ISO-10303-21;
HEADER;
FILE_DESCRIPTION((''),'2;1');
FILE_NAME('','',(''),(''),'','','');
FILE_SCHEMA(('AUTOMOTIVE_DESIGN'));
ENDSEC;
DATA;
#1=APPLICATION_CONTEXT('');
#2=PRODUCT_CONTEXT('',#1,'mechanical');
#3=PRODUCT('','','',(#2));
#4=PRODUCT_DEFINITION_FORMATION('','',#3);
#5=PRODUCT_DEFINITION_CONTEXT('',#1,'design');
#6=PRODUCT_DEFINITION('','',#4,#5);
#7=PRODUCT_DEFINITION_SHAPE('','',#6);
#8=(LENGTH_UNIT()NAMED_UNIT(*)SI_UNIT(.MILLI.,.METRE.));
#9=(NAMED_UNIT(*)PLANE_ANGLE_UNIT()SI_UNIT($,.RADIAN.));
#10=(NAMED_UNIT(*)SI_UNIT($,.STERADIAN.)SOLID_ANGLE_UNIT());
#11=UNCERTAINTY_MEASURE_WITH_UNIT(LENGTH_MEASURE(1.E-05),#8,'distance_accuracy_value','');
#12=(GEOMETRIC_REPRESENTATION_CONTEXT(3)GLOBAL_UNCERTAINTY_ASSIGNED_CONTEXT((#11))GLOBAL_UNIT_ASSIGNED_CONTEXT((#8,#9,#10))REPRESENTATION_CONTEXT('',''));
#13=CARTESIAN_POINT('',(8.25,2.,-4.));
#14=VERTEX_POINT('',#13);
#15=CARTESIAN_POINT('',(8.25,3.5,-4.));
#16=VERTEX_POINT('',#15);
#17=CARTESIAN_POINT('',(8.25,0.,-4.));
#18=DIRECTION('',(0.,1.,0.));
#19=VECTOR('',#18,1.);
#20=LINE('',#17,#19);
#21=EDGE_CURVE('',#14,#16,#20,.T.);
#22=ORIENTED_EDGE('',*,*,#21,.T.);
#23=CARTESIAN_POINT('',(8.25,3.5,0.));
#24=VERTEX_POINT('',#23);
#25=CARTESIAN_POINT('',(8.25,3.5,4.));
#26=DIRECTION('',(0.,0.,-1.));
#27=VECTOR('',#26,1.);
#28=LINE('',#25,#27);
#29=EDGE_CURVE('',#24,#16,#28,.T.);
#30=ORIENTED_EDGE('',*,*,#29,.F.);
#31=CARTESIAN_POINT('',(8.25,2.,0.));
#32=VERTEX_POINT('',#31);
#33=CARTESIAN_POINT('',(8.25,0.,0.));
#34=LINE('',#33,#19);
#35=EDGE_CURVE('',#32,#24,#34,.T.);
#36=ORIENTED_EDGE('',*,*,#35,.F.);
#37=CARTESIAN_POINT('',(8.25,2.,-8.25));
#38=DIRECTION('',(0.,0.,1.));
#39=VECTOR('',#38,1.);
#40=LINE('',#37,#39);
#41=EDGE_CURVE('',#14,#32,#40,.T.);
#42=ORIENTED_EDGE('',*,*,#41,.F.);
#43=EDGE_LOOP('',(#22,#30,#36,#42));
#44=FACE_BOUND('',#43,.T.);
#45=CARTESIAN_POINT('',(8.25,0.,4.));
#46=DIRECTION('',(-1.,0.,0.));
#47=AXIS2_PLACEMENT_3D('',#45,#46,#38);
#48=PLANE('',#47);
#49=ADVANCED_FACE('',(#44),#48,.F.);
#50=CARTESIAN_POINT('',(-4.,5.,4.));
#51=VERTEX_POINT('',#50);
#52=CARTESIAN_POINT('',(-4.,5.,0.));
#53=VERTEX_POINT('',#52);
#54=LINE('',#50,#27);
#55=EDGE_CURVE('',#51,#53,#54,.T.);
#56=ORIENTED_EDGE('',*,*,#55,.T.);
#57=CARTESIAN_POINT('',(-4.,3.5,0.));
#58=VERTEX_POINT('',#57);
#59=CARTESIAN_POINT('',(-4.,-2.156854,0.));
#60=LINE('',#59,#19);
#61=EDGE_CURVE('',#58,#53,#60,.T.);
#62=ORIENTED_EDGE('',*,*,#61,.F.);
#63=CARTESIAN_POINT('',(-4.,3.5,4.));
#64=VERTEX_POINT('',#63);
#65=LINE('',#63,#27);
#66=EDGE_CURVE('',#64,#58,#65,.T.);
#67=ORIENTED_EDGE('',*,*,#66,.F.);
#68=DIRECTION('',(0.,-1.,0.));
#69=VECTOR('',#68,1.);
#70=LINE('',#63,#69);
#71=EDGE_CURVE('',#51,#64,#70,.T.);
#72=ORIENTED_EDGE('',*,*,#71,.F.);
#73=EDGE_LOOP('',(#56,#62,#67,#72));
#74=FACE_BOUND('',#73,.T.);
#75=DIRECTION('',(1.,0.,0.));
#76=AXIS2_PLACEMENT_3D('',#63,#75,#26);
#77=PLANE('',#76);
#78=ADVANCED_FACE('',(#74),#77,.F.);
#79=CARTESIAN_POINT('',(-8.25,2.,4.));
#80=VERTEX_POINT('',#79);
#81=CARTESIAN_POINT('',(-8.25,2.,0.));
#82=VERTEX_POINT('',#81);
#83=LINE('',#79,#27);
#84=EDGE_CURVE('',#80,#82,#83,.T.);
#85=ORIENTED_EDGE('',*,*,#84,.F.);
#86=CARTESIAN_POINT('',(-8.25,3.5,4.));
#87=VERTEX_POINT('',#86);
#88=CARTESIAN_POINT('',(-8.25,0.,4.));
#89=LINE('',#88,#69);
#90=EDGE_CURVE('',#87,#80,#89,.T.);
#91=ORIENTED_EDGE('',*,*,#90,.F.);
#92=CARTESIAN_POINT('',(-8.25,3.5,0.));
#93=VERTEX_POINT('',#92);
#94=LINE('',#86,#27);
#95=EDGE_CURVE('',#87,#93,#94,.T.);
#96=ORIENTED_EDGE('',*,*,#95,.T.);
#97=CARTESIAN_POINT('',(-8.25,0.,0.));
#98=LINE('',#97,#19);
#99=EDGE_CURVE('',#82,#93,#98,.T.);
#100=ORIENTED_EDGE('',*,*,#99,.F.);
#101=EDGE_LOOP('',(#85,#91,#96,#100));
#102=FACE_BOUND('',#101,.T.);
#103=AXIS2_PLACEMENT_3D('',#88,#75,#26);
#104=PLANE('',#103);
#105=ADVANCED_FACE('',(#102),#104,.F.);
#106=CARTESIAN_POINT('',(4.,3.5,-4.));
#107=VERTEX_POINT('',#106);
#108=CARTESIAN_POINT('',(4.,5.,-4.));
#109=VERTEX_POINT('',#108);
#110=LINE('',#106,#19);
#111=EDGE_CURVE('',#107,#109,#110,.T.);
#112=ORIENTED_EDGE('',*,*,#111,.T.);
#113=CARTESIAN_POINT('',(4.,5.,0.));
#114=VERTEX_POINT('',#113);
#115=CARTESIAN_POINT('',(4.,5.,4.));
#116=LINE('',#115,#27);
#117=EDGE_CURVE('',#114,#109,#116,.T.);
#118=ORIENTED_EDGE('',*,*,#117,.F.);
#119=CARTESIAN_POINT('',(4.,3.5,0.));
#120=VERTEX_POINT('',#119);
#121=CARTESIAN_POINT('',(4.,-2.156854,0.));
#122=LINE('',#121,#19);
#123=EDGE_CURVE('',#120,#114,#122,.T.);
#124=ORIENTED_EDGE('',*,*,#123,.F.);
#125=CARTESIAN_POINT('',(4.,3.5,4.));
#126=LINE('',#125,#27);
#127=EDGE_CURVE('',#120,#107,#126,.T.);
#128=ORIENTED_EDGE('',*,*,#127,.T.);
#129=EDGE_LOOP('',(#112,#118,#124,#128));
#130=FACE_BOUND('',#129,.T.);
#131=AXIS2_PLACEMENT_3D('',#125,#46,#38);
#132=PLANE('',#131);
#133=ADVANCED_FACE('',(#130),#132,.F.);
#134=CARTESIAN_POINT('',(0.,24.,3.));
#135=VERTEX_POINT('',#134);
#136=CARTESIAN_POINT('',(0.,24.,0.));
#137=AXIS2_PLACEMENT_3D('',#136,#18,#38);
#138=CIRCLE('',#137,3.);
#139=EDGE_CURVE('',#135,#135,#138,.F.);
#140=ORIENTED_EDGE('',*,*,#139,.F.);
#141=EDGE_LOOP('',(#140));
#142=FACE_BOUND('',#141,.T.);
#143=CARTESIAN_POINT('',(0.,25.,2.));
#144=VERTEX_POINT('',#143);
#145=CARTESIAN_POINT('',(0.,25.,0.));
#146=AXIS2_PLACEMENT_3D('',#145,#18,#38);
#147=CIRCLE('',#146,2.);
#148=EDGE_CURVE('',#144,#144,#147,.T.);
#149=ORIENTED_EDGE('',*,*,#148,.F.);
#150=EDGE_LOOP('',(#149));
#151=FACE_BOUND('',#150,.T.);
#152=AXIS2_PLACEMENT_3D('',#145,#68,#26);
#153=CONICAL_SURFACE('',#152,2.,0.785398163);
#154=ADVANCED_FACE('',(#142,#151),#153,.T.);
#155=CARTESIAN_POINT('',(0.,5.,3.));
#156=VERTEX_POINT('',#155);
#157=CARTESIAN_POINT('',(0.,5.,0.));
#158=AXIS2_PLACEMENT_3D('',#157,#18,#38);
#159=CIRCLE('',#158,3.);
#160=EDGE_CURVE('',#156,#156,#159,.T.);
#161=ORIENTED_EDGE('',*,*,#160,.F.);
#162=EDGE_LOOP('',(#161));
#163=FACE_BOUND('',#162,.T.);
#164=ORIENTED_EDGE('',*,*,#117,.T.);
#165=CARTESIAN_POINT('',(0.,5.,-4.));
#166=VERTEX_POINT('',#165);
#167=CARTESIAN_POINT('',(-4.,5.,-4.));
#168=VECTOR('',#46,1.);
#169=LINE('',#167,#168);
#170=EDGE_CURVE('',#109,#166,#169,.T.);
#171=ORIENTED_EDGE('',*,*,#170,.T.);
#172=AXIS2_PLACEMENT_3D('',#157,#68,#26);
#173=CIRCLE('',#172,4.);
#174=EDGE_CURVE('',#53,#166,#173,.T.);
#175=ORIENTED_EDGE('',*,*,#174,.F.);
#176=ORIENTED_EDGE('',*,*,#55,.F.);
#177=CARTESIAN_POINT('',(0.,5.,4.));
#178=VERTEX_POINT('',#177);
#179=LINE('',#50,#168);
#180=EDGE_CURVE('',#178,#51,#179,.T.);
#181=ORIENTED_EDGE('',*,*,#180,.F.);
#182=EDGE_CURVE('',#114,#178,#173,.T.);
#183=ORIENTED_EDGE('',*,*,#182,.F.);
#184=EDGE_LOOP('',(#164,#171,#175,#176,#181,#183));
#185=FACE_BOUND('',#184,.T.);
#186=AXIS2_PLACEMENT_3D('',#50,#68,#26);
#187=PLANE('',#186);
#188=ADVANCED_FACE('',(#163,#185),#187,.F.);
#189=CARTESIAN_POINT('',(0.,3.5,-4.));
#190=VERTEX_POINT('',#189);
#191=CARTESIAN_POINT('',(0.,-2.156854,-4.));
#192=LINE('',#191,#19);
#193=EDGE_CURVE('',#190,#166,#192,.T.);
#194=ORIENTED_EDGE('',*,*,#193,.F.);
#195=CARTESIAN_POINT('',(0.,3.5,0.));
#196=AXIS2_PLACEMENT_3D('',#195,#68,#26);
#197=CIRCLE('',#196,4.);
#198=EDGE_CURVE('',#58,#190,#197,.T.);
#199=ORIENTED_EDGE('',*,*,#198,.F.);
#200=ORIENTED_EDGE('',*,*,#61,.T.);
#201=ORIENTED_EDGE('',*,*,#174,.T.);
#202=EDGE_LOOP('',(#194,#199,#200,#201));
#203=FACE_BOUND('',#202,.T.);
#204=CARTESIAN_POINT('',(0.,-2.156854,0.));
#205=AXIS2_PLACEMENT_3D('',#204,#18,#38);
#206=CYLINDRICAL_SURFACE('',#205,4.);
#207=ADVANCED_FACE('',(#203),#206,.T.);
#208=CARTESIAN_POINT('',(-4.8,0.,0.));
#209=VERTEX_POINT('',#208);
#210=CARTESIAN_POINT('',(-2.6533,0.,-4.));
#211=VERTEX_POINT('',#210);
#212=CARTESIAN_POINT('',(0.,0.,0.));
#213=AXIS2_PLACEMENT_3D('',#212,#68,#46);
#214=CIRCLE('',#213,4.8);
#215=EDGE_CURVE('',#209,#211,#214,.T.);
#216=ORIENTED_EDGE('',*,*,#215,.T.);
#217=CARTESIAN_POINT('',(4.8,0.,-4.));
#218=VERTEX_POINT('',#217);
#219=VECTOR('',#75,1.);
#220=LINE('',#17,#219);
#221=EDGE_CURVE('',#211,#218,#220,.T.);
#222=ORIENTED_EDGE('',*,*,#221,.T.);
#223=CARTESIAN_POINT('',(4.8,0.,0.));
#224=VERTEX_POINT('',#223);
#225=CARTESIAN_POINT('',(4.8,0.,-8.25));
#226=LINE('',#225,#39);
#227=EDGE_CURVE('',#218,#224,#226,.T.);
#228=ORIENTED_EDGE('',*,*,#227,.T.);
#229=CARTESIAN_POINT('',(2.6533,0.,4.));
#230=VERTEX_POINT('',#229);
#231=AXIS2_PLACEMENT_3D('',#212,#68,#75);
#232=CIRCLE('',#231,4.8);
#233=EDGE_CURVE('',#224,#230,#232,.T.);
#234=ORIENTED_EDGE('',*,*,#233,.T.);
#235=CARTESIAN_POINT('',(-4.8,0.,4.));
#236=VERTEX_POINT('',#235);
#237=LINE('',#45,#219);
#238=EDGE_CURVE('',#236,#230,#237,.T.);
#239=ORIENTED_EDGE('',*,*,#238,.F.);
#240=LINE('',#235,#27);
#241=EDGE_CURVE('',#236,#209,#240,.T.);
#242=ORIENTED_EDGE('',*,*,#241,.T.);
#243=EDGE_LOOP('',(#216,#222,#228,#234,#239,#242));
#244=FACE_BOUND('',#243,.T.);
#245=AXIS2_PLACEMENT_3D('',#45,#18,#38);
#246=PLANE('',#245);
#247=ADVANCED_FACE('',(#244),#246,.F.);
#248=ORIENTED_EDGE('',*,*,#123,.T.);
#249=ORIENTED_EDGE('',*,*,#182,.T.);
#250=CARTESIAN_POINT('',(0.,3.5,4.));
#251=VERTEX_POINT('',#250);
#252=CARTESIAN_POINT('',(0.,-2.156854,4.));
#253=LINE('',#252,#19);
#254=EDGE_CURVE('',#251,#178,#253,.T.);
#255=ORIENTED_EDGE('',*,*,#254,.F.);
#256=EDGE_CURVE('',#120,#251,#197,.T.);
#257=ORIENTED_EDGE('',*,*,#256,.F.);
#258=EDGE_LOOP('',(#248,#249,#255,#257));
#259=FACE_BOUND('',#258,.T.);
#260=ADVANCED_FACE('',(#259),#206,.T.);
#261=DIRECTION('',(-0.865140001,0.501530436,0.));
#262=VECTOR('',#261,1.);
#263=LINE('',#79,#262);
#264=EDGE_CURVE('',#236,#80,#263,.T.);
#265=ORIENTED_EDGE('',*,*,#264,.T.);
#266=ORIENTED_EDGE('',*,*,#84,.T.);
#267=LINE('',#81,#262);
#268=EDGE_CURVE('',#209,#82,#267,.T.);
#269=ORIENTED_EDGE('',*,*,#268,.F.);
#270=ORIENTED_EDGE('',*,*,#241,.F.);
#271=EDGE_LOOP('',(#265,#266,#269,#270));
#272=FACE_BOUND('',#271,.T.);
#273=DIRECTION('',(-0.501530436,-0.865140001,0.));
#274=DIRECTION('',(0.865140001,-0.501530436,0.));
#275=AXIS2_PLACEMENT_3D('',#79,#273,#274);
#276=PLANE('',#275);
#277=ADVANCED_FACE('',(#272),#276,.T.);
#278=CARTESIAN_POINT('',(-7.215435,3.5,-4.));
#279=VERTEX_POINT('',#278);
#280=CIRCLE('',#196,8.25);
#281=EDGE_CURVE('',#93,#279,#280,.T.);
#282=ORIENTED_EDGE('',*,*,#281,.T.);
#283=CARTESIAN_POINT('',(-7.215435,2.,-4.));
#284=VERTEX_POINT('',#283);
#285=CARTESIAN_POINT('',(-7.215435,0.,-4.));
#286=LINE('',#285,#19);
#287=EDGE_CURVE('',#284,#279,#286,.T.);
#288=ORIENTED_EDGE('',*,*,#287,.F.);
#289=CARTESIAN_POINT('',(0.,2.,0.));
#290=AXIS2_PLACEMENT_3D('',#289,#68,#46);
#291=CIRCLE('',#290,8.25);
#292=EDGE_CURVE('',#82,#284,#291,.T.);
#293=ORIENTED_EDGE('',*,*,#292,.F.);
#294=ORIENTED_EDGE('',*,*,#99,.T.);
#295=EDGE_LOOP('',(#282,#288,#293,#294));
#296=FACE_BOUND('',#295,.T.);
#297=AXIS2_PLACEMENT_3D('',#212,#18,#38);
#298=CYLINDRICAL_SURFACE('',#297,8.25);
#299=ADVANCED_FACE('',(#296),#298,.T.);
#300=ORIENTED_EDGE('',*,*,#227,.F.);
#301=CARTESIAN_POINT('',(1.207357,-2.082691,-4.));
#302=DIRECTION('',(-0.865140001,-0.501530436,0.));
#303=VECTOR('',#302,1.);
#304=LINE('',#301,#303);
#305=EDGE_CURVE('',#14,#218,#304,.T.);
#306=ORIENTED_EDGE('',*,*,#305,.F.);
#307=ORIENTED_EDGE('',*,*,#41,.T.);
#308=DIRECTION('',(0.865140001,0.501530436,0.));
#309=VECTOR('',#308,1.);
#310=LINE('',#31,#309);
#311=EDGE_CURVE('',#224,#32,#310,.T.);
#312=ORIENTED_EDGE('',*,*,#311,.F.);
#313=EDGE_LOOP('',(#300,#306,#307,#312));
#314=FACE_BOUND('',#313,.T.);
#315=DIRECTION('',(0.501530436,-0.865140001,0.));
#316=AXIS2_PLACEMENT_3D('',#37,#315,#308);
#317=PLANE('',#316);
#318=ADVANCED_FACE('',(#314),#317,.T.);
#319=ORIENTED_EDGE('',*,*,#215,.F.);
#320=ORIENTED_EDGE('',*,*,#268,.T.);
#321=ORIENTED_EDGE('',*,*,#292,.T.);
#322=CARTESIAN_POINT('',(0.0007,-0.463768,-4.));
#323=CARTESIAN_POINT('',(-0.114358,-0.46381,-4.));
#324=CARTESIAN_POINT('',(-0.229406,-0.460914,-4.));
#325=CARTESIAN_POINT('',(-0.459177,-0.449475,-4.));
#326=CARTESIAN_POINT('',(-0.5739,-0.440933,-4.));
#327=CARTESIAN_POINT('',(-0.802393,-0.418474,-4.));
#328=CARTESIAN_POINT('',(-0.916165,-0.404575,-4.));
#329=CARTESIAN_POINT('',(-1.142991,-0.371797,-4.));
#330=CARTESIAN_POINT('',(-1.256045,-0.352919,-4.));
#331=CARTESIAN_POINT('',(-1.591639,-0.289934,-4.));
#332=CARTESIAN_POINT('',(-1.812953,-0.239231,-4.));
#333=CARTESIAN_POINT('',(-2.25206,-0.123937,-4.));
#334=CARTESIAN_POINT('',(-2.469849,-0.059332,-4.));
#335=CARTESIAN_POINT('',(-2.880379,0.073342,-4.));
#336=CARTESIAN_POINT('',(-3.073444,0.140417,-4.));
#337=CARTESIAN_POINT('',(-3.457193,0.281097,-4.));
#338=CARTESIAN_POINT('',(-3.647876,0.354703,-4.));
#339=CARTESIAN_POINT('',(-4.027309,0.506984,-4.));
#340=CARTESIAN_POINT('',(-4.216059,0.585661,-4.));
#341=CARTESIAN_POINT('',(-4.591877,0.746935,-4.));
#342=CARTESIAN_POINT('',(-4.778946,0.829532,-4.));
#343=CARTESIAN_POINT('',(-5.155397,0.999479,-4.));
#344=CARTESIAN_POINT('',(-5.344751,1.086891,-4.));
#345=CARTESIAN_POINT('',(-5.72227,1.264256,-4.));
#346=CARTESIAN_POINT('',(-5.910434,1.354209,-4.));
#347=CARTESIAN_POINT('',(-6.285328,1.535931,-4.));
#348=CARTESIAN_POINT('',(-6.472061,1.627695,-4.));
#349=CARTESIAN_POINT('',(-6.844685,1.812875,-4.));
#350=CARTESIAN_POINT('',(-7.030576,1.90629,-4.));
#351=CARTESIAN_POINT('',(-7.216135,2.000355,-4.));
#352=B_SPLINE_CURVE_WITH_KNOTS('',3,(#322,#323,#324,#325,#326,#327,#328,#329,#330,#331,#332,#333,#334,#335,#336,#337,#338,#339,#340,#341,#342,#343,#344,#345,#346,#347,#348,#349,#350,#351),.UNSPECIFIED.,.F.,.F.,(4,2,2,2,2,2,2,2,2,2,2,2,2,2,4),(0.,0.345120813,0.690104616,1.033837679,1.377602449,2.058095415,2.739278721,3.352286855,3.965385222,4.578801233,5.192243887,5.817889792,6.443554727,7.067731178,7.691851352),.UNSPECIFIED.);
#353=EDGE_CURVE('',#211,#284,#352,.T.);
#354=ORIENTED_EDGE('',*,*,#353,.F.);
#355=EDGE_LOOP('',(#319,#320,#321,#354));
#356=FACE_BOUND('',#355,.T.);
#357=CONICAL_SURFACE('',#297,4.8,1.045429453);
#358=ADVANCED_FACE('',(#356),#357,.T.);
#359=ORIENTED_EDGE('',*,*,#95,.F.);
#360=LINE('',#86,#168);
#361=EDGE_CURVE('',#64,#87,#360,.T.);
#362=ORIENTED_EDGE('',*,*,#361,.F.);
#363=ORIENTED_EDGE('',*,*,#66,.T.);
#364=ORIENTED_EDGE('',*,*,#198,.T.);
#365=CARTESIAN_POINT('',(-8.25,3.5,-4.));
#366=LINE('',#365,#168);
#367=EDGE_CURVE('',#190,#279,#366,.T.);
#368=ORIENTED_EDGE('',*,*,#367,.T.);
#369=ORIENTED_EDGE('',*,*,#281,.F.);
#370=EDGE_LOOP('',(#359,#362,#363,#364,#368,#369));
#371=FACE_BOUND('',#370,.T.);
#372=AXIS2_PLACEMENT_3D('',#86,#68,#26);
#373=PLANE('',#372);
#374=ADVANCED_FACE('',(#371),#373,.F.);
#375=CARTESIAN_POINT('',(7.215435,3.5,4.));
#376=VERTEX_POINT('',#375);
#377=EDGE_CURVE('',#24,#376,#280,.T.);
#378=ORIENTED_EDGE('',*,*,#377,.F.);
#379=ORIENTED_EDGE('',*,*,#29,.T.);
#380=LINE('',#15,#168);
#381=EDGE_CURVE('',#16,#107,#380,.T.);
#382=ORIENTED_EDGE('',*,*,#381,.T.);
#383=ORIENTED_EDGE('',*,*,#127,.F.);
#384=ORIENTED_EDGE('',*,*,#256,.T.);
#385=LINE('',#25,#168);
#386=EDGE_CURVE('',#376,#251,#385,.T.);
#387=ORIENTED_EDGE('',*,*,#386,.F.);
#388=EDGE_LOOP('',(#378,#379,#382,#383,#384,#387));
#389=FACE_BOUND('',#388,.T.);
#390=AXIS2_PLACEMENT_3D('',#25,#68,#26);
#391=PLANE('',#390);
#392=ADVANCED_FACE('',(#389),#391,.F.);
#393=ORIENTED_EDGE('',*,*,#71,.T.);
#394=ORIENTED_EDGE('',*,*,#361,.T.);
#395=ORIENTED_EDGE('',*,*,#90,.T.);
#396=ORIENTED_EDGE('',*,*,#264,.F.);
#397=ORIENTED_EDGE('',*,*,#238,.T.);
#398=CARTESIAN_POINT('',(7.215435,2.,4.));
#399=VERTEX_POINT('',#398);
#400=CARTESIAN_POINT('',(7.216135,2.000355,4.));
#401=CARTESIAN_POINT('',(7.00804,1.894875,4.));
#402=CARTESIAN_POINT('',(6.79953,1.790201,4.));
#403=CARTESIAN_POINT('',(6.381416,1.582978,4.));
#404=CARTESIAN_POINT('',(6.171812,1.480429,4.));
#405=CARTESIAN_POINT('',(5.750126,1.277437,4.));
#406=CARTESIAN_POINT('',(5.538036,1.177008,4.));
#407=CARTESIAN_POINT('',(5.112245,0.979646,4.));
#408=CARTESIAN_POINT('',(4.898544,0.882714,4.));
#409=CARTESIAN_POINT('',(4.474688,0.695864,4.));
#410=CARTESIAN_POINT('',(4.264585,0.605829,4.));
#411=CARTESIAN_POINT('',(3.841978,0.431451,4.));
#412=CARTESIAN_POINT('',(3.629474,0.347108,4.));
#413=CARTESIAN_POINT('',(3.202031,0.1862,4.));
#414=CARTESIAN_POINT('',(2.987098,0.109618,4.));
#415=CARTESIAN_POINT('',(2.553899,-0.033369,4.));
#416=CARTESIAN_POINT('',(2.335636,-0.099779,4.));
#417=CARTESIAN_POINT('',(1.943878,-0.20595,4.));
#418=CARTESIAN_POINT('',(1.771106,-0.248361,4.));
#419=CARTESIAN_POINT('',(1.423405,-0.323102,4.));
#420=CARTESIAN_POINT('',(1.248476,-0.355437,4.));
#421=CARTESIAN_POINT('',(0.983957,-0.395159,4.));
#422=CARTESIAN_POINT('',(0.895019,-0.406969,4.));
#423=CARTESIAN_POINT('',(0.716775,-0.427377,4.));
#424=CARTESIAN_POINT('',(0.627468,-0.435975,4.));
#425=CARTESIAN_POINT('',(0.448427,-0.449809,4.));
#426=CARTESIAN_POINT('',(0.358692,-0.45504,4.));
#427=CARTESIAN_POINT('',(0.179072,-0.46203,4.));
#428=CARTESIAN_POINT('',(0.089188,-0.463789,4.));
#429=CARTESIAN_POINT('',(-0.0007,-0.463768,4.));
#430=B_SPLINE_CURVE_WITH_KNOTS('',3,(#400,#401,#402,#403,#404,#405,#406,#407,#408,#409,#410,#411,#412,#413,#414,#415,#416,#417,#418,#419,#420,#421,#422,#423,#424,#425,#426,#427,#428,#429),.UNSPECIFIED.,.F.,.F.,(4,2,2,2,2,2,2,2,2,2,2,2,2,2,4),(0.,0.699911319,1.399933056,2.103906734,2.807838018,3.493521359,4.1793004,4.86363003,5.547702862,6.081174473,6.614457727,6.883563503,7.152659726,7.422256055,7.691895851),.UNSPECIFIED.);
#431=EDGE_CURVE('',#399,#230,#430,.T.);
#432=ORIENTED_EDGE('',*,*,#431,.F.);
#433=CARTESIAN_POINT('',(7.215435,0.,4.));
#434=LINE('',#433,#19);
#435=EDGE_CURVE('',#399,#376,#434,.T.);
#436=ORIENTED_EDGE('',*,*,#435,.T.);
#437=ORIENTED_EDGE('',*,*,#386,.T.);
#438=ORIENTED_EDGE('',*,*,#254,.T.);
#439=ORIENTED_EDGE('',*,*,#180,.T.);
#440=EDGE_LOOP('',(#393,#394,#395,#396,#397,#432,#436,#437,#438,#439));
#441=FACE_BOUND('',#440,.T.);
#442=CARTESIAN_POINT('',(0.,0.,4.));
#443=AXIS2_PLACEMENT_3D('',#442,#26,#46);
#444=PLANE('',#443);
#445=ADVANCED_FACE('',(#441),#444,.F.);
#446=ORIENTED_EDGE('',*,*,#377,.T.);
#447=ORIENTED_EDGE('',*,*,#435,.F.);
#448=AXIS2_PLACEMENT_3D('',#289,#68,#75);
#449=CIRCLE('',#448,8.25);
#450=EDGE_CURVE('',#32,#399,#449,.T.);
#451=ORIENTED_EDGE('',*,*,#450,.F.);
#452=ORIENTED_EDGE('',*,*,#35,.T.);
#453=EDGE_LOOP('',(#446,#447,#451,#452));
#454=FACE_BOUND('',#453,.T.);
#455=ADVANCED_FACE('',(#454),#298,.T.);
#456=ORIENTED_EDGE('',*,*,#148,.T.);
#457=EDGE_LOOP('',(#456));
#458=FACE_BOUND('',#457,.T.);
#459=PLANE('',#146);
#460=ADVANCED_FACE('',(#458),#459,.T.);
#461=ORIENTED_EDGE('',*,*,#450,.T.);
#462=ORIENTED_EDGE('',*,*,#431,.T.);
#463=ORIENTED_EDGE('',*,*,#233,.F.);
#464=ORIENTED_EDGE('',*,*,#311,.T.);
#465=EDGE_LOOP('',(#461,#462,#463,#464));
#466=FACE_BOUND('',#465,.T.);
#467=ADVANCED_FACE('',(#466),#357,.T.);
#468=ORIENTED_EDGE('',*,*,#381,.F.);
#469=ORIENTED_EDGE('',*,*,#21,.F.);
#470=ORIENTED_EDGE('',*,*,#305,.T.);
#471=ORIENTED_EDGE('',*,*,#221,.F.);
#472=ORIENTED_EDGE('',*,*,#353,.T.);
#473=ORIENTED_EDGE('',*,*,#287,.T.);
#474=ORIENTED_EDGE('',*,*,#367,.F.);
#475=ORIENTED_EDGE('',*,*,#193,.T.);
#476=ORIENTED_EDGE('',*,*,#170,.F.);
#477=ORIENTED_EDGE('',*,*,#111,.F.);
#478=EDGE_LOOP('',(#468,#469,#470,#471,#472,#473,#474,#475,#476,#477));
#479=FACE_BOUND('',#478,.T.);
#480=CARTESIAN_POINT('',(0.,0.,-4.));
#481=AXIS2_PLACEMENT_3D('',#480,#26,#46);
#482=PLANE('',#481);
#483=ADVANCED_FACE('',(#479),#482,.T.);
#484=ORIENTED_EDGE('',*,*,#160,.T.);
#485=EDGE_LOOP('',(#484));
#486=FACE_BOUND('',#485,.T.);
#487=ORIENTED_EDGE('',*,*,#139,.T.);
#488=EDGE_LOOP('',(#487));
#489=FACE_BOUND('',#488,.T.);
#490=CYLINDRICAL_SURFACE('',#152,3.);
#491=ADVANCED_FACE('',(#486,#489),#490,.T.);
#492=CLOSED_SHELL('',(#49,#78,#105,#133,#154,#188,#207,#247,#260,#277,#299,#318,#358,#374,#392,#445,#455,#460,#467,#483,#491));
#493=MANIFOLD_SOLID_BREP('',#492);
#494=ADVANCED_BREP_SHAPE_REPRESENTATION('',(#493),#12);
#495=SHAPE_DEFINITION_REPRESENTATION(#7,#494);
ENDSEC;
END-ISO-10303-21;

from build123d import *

# Parameters (mm, degrees)
EXTRUDE_1_DEPTH     = 4
SKETCH_2_R          = 3
EXTRUDE_2_DEPTH     = 20
CUT_EXTRUDE_1_DEPTH = 1.5
CUT_EXTRUDE_2_DEPTH = 4.5
CHAMFER_2_SIZE      = 1


with BuildPart() as part:
    # Эскиз1 → Бобышка-Вытянуть1 (new body, symmetric)
    with BuildSketch(Plane.XY):
        Polygon((8.25, 0), (-8.25, 0), (-8.25, 3.5), (-4, 3.5), (-4, 5), (4, 5), (4, 3.5), (8.25, 3.5), align=None)
    extrude(amount=EXTRUDE_1_DEPTH, both=True)

    # Эскиз2 → Бобышка-Вытянуть2 (add)
    with BuildSketch(Plane(origin=(0, 5, 0), x_dir=(1, 0, 0), z_dir=(0, 1, 0))):
        with Locations(Location((0, 0, 0), (0, 0, 270))):  # turned: the seam where the file's is
            Circle(SKETCH_2_R)
    extrude(amount=EXTRUDE_2_DEPTH)

    # Эскиз3 → Вырез-Вытянуть1 (cut)
    with BuildSketch(Plane(origin=(0, 5, 0), x_dir=(1, 0, 0), z_dir=(0, 1, 0))):
        with BuildLine():
            Line((-4, 0), (-4, 4))
            Line((-4, 4), (0, 4))
            ThreePointArc((0, 4), (-2.828427125, 2.828427125), (-4, 0))
        make_face()
        with BuildLine():
            Line((0, -4), (4, -4))
            Line((4, -4), (4, 0))
            ThreePointArc((4, 0), (2.828427125, -2.828427125), (0, -4))
        make_face()
    extrude(amount=-CUT_EXTRUDE_1_DEPTH, mode=Mode.SUBTRACT)

    # Эскиз4 → Вырез-Вытянуть2 (cut, through all)
    with BuildSketch(Plane(origin=(0, 3.5, 0), x_dir=(1, 0, 0), z_dir=(0, 1, 0))):
        with BuildLine():
            Line((-7.215434845, 4), (-8.25, 4))
            Line((-8.25, 4), (-8.25, 0))
            ThreePointArc((-8.25, 0), (-7.987172136, 2.065812495), (-7.215434845, 4))
        make_face()
        with BuildLine():
            Line((7.215434845, -4), (8.25, -4))
            Line((8.25, -4), (8.25, 0))
            ThreePointArc((8.25, 0), (7.987172136, -2.065812495), (7.215434845, -4))
        make_face()
    extrude(amount=-CUT_EXTRUDE_2_DEPTH, mode=Mode.SUBTRACT)

    # Вырез-По траектории1: sweep along a path in Эскиз6
    with BuildLine(Plane.XZ) as sweep_1_path:
        Line((0, -8.25), (8.25, -8.25))
        Line((8.25, -8.25), (8.25, 0))
        ThreePointArc((8.25, 0), (5.833630945, 5.833630945), (0, 8.25))
        Line((0, 8.25), (-8.25, 8.25))
        Line((-8.25, 8.25), (-8.25, 0))
        ThreePointArc((-8.25, 0), (-5.833630945, -5.833630945), (0, -8.25))
    # Эскиз5 → Вырез-По траектории1 (sweep, cut)
    with BuildSketch(Plane.XY.offset(4)):
        Polygon((-8.25, 2), (-4.8, 0), (-8.25, 0), align=None)
    sweep(path=sweep_1_path.line, transition=Transition.RIGHT, mode=Mode.SUBTRACT)

    # Фаска2
    chamfer_2_edges = [part.edges().sort_by_distance(p)[0] for p in [
        (0, 25, -3),
    ]]
    chamfer(chamfer_2_edges, length=CHAMFER_2_SIZE)


solid = part.part
